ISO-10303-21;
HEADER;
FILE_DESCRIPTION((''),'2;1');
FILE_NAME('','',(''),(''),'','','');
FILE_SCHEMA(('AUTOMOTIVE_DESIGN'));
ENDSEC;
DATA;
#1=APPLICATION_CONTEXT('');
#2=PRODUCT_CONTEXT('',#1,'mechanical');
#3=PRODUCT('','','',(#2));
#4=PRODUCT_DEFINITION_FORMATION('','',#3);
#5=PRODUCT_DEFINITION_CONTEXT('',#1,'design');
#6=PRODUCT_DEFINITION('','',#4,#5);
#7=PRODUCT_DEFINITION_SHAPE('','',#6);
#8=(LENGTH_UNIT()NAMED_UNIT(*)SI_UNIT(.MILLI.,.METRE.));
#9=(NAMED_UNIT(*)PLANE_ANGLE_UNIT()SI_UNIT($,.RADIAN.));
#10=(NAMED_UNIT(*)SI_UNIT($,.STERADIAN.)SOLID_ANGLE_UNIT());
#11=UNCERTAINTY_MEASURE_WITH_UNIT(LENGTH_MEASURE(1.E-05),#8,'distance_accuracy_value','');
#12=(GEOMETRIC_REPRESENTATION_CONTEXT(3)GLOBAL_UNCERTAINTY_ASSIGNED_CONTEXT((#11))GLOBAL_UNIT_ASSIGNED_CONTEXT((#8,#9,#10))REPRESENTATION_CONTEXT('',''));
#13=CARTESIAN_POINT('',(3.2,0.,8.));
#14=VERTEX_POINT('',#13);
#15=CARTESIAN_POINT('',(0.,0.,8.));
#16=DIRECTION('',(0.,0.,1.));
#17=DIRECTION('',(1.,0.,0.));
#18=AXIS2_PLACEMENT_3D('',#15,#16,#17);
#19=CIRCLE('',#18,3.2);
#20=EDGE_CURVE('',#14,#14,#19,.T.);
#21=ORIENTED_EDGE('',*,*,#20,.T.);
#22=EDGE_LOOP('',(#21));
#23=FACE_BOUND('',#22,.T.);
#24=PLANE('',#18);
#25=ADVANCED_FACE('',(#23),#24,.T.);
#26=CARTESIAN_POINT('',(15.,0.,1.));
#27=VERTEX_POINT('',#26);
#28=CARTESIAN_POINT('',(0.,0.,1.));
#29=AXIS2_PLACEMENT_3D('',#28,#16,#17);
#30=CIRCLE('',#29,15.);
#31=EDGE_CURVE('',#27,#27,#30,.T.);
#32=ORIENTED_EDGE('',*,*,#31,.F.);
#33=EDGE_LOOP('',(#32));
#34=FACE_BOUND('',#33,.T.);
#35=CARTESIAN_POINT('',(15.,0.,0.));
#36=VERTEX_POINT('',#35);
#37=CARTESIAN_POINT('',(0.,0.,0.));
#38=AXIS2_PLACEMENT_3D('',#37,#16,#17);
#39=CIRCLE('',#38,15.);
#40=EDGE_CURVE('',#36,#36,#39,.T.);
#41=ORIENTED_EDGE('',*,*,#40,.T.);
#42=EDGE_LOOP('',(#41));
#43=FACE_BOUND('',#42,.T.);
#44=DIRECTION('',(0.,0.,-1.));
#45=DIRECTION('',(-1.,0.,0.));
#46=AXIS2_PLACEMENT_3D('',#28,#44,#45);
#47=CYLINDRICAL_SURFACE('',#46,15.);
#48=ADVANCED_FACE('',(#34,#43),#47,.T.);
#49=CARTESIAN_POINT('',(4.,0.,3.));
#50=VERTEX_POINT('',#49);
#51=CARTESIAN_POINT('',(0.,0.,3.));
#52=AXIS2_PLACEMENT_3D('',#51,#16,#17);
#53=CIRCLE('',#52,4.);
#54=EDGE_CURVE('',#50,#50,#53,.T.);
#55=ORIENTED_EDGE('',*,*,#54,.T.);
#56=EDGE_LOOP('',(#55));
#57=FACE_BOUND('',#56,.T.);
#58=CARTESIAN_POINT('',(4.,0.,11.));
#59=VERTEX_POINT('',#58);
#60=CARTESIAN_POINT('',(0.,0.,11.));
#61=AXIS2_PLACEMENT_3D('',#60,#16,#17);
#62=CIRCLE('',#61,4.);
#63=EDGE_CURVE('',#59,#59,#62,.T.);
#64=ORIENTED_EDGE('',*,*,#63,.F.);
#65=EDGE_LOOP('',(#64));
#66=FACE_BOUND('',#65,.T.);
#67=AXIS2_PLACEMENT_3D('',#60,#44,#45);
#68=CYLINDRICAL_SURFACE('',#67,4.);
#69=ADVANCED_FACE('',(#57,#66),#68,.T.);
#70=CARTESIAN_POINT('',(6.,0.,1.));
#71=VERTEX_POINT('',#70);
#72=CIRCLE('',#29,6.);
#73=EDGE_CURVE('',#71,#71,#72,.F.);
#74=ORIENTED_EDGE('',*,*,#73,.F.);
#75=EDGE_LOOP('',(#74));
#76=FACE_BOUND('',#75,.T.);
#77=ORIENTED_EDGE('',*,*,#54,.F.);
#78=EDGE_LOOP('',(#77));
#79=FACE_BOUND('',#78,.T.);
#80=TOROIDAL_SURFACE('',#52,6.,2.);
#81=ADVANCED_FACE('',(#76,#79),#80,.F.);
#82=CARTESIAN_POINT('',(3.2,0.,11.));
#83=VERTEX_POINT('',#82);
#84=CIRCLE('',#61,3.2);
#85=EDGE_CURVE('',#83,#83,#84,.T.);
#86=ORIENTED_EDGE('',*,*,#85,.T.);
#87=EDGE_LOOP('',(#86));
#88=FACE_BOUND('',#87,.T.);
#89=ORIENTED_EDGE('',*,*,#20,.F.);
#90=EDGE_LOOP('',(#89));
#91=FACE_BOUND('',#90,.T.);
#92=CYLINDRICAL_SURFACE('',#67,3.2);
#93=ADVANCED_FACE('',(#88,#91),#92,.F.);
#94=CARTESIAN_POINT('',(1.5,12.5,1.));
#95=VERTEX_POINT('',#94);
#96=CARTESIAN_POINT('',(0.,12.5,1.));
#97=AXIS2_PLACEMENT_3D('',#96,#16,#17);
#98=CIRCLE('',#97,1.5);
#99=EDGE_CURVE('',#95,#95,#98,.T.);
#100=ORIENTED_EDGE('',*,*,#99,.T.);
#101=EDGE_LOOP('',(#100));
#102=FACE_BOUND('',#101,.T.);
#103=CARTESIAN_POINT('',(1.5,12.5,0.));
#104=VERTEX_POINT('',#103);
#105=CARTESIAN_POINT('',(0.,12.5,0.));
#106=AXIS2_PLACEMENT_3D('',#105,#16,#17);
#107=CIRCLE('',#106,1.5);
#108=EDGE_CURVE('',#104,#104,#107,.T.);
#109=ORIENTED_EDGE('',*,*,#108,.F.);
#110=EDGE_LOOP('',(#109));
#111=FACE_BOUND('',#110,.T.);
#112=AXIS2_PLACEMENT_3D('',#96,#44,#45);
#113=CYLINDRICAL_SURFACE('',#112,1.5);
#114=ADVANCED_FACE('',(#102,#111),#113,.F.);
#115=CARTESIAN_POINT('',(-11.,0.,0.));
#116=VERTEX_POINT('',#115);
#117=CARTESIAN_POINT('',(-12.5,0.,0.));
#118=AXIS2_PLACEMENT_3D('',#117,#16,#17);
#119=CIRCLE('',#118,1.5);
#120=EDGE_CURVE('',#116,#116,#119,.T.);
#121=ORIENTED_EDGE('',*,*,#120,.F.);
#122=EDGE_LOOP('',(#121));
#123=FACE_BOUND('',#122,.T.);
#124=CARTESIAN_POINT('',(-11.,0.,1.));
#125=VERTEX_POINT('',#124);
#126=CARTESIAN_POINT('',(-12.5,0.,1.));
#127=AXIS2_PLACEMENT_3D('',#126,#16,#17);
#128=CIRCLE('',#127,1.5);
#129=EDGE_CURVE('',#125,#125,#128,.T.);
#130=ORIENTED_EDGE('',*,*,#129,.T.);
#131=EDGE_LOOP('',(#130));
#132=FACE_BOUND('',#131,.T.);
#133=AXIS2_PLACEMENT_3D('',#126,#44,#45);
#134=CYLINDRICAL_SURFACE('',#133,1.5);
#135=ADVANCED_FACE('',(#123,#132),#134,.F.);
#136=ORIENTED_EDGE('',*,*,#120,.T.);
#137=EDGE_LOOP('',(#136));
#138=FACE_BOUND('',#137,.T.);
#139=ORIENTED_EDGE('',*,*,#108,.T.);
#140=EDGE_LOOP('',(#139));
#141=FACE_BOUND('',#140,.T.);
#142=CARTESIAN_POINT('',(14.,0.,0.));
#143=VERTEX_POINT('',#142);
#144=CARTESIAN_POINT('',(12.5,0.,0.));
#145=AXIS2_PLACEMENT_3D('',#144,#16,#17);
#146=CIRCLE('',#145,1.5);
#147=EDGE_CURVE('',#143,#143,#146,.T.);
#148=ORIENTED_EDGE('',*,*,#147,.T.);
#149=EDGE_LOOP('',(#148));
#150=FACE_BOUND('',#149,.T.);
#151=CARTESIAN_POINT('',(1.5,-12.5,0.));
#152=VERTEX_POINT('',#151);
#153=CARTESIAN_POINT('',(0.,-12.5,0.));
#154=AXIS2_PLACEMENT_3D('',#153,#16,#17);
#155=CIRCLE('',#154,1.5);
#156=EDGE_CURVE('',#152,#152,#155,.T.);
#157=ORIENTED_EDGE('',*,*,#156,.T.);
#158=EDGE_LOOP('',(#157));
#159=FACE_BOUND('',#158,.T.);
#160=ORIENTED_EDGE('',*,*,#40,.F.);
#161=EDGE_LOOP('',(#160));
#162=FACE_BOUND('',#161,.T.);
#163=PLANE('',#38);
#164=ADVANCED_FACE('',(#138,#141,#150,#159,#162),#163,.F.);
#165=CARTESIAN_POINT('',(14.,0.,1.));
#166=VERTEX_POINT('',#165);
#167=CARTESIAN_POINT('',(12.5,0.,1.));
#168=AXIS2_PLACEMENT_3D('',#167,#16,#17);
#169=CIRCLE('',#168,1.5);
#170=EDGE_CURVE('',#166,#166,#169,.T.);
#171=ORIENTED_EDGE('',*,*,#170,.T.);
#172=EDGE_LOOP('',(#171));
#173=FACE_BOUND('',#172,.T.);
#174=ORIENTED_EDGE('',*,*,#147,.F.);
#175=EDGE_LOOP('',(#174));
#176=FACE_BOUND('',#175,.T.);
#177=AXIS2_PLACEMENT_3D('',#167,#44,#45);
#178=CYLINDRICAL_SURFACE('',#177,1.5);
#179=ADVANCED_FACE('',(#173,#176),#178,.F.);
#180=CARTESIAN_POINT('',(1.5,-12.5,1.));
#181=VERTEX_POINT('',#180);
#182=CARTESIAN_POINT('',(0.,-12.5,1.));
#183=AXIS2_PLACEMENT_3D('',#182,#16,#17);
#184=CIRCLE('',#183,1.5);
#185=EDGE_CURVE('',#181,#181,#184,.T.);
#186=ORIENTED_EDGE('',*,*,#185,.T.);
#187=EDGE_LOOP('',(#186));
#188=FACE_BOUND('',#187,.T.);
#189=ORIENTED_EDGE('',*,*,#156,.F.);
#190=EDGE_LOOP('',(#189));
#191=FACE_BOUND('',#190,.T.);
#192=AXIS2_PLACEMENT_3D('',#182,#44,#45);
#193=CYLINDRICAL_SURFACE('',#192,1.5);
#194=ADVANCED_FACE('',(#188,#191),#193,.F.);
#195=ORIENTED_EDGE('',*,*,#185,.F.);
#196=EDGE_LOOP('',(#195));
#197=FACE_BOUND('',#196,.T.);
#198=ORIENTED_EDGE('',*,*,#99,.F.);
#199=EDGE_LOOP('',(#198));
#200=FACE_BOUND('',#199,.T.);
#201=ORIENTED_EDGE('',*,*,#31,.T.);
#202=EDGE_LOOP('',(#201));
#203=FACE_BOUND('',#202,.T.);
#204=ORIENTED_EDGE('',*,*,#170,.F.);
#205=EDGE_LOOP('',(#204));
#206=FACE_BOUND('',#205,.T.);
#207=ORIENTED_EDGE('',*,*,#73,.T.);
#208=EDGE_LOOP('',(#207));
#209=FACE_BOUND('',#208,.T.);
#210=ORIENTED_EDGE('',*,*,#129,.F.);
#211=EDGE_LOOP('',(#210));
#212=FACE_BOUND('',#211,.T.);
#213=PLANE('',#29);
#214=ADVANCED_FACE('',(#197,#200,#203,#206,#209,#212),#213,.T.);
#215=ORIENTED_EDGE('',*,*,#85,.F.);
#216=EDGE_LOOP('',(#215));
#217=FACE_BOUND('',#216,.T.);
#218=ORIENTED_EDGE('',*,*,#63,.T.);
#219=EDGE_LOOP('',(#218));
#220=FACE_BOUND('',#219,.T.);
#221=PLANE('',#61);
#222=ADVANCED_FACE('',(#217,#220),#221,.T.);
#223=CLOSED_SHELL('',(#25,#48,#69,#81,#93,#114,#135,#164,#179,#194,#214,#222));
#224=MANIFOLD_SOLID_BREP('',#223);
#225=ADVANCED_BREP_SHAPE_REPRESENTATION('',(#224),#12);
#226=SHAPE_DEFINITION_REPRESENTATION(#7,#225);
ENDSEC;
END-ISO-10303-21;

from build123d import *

# Parameters (mm, degrees)
SKETCH1_R           = 15
SKETCH1_R_2         = 4
SKETCH1_R_3         = 1.5
BOSS_EXTRUDE1_DEPTH = 1
SKETCH1_4_R         = 4
SKETCH1_4_R_2       = 3.2
BOSS_EXTRUDE2_DEPTH = 11
SKETCH1_5_R         = 3.2
BOSS_EXTRUDE3_DEPTH = 8
FILLET1_R           = 2


with BuildPart() as part:
    # Sketch1 → Boss-Extrude1 (new body)
    with BuildSketch(Plane.XY):
        Circle(SKETCH1_R)
        Circle(SKETCH1_R_2, mode=Mode.SUBTRACT)
        with Locations((0, 12.5)):
            Circle(SKETCH1_R_3, mode=Mode.SUBTRACT)
        with Locations((12.5, 0)):
            Circle(SKETCH1_R_3, mode=Mode.SUBTRACT)
        with Locations((0, -12.5)):
            Circle(SKETCH1_R_3, mode=Mode.SUBTRACT)
        with Locations((-12.5, 0)):
            Circle(SKETCH1_R_3, mode=Mode.SUBTRACT)
    extrude(amount=BOSS_EXTRUDE1_DEPTH)

    # Sketch1<4> → Boss-Extrude2 (add)
    with BuildSketch(Plane.XY):
        Circle(SKETCH1_4_R)
        Circle(SKETCH1_4_R_2, mode=Mode.SUBTRACT)
    extrude(amount=BOSS_EXTRUDE2_DEPTH)

    # Sketch1<5> → Boss-Extrude3 (add)
    with BuildSketch(Plane.XY):
        Circle(SKETCH1_5_R)
    extrude(amount=BOSS_EXTRUDE3_DEPTH)

    # Fillet1
    fillet1_edges = [part.edges().sort_by_distance(p)[0] for p in [
        (-4, 0, 1),
    ]]
    fillet(fillet1_edges, radius=FILLET1_R)


solid = part.part
